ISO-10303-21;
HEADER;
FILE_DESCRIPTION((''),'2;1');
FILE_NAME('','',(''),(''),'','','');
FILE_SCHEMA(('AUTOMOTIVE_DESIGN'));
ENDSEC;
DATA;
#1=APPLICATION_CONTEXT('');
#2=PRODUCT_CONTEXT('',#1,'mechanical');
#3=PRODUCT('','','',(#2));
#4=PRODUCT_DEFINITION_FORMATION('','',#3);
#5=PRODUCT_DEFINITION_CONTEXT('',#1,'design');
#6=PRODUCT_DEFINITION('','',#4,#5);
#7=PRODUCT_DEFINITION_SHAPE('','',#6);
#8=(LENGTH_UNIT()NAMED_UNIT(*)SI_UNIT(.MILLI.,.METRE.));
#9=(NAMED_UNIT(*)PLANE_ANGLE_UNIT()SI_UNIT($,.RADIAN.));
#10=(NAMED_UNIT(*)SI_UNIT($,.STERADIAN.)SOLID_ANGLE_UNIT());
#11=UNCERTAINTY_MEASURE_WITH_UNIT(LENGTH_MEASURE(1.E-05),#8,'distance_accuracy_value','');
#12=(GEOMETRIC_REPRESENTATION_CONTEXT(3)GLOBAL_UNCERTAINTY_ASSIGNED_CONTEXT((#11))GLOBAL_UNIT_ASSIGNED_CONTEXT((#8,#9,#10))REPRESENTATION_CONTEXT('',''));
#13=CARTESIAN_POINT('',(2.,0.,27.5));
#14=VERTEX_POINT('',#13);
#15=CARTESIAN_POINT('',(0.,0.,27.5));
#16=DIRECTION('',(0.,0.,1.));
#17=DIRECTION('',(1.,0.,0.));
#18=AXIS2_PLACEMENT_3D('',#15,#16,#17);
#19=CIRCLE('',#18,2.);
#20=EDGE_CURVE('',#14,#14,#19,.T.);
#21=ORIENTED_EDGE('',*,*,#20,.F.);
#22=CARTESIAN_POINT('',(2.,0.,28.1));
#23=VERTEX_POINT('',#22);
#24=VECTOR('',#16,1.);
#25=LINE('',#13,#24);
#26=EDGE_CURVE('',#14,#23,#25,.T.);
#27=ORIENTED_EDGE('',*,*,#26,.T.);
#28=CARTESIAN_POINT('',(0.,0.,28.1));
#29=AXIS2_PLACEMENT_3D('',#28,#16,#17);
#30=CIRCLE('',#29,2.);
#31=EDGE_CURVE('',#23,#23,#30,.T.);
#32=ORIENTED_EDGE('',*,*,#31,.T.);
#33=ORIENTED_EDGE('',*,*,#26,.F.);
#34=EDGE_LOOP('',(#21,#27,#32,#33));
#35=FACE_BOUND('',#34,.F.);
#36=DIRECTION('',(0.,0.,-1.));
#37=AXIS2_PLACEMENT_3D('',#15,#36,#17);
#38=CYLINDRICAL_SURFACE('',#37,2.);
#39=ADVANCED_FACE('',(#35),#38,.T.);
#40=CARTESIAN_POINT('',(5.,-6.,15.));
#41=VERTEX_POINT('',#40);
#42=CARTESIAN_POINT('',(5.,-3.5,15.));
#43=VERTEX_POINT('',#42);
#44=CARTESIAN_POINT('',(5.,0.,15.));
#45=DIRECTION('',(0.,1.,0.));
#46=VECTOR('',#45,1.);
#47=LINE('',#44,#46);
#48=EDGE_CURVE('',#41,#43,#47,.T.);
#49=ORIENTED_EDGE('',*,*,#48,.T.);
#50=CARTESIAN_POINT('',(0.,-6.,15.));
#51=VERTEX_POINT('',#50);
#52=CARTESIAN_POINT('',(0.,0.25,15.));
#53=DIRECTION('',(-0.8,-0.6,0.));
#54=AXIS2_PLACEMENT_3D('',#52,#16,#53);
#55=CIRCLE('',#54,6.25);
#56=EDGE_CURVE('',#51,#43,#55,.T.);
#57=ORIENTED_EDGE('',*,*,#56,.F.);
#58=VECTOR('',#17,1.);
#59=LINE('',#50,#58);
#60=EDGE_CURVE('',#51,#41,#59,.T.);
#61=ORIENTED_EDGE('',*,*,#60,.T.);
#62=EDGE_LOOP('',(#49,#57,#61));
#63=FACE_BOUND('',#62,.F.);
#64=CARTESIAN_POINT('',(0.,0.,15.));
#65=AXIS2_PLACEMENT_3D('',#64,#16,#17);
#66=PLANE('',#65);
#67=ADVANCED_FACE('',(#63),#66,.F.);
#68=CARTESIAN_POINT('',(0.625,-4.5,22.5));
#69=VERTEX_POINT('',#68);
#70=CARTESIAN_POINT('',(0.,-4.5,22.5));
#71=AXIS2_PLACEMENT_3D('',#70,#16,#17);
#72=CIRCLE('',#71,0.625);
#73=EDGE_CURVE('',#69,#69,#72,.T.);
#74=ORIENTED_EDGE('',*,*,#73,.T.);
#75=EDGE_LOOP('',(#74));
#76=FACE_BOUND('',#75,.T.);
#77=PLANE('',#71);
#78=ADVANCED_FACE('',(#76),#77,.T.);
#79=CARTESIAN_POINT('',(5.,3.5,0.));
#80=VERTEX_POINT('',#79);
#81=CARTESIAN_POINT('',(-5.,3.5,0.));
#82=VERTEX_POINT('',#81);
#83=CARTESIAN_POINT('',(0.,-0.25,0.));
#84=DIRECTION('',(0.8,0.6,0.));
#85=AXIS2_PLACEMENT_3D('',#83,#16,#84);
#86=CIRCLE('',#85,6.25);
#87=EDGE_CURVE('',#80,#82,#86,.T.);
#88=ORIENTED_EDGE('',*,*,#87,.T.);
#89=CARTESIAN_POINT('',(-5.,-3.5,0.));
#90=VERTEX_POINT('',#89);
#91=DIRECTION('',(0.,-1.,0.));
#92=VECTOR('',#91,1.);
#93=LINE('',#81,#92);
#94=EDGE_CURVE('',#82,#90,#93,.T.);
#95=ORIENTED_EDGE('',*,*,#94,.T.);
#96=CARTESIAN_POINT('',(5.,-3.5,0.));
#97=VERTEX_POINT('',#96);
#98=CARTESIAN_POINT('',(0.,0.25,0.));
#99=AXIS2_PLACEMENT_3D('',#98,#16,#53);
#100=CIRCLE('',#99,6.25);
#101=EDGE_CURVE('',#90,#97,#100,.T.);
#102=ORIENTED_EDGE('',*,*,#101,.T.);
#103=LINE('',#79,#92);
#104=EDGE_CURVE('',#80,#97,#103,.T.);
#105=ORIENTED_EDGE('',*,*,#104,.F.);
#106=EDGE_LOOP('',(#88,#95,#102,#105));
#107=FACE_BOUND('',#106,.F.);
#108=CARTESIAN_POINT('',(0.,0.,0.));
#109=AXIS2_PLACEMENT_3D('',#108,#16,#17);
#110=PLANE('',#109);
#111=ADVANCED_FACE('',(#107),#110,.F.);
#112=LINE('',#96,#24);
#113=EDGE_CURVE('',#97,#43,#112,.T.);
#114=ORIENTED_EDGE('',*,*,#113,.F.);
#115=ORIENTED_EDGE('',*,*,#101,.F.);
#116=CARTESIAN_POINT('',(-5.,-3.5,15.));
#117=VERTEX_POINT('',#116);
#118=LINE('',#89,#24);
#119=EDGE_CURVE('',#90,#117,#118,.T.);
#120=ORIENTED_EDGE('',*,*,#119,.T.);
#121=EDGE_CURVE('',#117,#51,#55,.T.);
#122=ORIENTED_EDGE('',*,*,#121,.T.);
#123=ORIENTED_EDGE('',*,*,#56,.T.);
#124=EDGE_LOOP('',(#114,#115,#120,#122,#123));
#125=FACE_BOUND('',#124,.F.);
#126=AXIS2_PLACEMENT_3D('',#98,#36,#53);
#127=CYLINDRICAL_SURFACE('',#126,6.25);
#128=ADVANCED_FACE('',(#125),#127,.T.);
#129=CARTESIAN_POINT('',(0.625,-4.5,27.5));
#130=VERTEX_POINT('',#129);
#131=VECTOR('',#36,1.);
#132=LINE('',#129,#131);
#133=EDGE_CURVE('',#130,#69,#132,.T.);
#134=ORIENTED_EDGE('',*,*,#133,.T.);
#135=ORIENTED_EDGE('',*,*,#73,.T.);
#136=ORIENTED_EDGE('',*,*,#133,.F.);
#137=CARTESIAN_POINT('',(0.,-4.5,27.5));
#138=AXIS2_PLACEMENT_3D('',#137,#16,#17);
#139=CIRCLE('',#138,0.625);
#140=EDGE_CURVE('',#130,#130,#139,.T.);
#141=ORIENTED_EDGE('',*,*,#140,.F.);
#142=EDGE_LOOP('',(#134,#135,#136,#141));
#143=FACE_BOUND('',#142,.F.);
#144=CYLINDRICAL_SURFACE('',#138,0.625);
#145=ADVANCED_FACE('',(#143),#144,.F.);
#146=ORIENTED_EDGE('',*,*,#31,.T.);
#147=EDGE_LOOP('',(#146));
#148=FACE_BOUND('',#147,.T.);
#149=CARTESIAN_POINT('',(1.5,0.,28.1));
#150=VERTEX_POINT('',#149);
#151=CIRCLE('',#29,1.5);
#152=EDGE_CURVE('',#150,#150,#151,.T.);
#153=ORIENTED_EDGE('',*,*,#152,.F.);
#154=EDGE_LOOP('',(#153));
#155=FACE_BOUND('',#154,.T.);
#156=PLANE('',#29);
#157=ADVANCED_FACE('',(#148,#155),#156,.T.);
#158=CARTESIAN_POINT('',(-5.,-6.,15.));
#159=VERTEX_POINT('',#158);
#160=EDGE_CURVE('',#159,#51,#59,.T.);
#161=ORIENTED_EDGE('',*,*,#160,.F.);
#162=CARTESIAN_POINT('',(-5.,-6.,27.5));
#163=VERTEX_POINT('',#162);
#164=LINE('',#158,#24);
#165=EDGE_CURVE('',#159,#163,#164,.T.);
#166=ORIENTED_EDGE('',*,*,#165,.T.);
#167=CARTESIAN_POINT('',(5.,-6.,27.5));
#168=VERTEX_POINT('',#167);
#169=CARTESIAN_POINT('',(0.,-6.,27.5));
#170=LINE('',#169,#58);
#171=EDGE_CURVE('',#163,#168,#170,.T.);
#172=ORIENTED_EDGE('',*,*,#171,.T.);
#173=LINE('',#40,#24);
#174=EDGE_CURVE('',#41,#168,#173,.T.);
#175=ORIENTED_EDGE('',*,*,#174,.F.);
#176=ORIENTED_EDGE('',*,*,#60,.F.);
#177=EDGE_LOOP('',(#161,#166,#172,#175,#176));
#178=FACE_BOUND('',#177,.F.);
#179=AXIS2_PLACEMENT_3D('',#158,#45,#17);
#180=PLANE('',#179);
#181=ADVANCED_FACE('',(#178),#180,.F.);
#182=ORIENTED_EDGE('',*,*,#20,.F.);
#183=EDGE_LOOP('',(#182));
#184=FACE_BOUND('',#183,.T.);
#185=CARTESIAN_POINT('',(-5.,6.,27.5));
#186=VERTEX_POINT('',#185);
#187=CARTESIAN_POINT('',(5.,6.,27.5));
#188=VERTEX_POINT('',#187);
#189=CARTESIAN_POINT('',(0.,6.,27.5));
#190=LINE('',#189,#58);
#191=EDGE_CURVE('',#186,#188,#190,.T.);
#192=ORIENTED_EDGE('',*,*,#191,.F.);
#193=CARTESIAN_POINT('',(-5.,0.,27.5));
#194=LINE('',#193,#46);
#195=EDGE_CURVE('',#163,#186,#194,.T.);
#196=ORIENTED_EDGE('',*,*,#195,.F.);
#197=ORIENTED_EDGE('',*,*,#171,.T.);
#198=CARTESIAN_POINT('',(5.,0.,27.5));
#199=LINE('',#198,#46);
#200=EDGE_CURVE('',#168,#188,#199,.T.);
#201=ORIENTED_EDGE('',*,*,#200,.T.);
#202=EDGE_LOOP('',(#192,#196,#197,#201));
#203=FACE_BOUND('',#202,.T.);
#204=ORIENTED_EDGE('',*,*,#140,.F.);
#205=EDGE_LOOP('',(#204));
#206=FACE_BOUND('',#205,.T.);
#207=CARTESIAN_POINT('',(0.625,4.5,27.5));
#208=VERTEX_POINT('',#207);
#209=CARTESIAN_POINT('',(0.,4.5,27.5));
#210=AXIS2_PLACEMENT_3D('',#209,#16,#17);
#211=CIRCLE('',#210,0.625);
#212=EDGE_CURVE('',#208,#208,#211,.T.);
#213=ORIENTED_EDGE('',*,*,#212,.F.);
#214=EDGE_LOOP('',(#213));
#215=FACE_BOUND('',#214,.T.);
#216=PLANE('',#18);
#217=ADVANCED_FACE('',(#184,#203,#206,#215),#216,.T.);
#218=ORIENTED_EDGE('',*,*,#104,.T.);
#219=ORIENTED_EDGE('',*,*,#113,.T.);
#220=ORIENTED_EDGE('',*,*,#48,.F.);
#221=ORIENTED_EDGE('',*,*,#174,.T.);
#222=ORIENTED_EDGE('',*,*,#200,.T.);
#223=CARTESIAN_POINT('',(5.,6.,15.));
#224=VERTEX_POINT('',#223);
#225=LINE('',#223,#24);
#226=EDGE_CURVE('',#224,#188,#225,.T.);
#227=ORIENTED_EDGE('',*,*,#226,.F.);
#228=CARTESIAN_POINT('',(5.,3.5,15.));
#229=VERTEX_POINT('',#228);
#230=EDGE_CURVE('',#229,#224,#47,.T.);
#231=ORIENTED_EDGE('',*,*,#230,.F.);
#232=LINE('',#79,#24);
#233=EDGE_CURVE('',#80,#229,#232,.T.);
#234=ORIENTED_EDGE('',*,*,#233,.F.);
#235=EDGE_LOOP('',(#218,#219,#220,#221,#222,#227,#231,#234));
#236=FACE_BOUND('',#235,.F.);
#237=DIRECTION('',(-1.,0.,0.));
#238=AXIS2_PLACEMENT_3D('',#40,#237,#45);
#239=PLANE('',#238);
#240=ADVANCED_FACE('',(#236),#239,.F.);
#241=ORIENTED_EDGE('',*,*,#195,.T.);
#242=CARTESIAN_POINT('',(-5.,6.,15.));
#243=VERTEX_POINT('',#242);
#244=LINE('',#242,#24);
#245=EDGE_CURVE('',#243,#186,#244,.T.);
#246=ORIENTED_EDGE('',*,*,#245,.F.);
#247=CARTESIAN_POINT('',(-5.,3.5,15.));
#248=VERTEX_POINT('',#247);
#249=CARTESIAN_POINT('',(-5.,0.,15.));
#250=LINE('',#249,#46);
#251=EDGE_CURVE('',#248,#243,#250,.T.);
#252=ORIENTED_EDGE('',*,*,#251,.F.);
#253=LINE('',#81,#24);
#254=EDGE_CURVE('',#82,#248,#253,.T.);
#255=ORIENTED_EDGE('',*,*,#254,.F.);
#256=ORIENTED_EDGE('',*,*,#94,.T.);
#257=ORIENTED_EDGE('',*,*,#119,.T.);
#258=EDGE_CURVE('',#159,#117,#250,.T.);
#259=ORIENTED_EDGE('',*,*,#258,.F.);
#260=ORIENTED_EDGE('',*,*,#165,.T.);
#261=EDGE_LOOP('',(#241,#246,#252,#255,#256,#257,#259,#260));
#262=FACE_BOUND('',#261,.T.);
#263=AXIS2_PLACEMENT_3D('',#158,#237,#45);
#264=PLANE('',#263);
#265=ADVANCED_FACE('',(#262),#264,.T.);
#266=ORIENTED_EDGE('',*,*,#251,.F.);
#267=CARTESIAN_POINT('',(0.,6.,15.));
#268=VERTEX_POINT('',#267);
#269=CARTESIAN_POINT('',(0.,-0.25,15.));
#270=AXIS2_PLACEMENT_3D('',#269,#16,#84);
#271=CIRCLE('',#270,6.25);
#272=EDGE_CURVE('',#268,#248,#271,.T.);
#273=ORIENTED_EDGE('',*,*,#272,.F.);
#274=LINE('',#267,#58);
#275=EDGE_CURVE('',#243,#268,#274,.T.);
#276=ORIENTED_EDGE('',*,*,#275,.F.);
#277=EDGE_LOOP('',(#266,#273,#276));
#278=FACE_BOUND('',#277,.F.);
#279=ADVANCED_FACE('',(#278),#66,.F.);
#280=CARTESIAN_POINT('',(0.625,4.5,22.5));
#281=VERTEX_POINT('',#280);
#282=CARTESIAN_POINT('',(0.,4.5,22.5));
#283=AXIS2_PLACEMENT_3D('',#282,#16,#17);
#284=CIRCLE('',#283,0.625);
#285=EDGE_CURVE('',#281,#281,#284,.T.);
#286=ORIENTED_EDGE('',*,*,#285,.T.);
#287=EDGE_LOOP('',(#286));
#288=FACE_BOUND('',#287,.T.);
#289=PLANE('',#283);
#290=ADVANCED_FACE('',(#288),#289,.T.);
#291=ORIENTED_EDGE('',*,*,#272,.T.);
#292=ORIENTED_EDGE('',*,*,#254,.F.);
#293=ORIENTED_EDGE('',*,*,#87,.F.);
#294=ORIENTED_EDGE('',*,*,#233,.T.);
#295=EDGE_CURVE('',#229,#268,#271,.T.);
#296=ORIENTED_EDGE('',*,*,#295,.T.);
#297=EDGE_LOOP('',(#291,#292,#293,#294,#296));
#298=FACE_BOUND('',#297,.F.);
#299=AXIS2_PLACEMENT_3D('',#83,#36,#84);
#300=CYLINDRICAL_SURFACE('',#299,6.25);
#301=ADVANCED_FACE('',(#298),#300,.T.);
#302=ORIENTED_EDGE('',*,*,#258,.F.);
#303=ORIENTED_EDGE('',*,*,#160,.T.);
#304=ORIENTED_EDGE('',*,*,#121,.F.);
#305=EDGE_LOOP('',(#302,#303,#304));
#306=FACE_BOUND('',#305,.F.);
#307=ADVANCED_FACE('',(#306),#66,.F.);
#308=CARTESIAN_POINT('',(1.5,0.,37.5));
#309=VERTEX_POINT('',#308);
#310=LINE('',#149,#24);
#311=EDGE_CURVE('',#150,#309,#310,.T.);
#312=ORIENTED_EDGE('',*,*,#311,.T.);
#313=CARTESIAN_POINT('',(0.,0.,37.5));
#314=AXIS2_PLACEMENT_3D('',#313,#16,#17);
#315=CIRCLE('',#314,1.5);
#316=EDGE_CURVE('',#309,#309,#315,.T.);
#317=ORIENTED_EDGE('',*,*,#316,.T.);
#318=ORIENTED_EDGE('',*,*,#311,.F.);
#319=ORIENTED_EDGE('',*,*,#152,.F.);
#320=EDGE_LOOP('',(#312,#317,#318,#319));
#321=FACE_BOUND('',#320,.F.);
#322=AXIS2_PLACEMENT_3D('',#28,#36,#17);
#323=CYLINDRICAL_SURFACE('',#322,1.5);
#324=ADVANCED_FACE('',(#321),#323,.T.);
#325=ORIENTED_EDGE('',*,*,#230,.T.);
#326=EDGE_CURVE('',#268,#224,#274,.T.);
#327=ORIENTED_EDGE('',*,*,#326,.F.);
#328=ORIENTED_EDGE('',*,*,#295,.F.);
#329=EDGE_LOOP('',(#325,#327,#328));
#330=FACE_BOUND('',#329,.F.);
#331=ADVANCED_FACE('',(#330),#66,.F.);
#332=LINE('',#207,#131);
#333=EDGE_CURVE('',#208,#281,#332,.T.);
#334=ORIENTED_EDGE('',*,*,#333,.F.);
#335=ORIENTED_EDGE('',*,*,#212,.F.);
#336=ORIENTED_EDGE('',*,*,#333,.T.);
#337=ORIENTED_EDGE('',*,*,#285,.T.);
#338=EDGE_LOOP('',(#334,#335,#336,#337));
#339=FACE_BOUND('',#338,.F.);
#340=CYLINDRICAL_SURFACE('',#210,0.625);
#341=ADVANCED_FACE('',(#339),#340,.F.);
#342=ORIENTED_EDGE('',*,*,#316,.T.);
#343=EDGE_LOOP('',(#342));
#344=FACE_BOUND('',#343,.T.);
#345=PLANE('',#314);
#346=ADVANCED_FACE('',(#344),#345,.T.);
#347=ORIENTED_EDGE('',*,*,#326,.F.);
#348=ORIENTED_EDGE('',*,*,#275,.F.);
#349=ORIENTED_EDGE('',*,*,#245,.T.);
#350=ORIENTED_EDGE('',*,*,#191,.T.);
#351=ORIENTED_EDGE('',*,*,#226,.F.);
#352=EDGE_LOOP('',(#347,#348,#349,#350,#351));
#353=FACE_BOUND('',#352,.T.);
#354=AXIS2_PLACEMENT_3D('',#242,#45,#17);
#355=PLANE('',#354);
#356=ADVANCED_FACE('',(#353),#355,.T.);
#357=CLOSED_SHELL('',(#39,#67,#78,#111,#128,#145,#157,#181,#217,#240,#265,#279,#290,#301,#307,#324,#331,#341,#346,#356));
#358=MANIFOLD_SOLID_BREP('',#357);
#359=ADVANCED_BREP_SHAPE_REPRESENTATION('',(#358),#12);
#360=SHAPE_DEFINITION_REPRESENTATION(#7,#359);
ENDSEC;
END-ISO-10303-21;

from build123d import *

# Parameters (mm, degrees)
PAD_DEPTH    = 15
SKETCH001_W  = 10
SKETCH001_H  = 12
PAD001_DEPTH = 12.5
SKETCH002_R  = 0.625
POCKET_DEPTH = 5
SKETCH003_R  = 2
PAD002_DEPTH = 0.6
SKETCH004_R  = 1.5
PAD003_DEPTH = 9.4


with BuildPart() as part:
    # Sketch → Pad (new body)
    with BuildSketch(Plane.XY):
        with BuildLine():
            Line((-5, 3.5), (-5, -3.5))
            ThreePointArc((-5, -3.5), (0, -6), (5, -3.5))
            Line((5, 3.5), (5, -3.5))
            ThreePointArc((5, 3.5), (0, 6), (-5, 3.5))
        make_face()
    extrude(amount=PAD_DEPTH)

    # Sketch001 → Pad001 (new body)
    with BuildSketch(Plane.XY.offset(15)):
        Rectangle(SKETCH001_W, SKETCH001_H)
    extrude(amount=PAD001_DEPTH)

    # Sketch002 → Pocket (cut)
    with BuildSketch(Plane.XY.offset(27.5)):
        with Locations((0, -4.5)):
            Circle(SKETCH002_R)
        with Locations((0, 4.5)):
            Circle(SKETCH002_R)
    extrude(amount=-POCKET_DEPTH, mode=Mode.SUBTRACT)

    # Sketch003 → Pad002 (new body)
    with BuildSketch(Plane.XY.offset(27.5)):
        Circle(SKETCH003_R)
    extrude(amount=PAD002_DEPTH)

    # Sketch004 → Pad003 (new body)
    with BuildSketch(Plane.XY.offset(28.1)):
        Circle(SKETCH004_R)
    extrude(amount=PAD003_DEPTH)


solid = part.part
